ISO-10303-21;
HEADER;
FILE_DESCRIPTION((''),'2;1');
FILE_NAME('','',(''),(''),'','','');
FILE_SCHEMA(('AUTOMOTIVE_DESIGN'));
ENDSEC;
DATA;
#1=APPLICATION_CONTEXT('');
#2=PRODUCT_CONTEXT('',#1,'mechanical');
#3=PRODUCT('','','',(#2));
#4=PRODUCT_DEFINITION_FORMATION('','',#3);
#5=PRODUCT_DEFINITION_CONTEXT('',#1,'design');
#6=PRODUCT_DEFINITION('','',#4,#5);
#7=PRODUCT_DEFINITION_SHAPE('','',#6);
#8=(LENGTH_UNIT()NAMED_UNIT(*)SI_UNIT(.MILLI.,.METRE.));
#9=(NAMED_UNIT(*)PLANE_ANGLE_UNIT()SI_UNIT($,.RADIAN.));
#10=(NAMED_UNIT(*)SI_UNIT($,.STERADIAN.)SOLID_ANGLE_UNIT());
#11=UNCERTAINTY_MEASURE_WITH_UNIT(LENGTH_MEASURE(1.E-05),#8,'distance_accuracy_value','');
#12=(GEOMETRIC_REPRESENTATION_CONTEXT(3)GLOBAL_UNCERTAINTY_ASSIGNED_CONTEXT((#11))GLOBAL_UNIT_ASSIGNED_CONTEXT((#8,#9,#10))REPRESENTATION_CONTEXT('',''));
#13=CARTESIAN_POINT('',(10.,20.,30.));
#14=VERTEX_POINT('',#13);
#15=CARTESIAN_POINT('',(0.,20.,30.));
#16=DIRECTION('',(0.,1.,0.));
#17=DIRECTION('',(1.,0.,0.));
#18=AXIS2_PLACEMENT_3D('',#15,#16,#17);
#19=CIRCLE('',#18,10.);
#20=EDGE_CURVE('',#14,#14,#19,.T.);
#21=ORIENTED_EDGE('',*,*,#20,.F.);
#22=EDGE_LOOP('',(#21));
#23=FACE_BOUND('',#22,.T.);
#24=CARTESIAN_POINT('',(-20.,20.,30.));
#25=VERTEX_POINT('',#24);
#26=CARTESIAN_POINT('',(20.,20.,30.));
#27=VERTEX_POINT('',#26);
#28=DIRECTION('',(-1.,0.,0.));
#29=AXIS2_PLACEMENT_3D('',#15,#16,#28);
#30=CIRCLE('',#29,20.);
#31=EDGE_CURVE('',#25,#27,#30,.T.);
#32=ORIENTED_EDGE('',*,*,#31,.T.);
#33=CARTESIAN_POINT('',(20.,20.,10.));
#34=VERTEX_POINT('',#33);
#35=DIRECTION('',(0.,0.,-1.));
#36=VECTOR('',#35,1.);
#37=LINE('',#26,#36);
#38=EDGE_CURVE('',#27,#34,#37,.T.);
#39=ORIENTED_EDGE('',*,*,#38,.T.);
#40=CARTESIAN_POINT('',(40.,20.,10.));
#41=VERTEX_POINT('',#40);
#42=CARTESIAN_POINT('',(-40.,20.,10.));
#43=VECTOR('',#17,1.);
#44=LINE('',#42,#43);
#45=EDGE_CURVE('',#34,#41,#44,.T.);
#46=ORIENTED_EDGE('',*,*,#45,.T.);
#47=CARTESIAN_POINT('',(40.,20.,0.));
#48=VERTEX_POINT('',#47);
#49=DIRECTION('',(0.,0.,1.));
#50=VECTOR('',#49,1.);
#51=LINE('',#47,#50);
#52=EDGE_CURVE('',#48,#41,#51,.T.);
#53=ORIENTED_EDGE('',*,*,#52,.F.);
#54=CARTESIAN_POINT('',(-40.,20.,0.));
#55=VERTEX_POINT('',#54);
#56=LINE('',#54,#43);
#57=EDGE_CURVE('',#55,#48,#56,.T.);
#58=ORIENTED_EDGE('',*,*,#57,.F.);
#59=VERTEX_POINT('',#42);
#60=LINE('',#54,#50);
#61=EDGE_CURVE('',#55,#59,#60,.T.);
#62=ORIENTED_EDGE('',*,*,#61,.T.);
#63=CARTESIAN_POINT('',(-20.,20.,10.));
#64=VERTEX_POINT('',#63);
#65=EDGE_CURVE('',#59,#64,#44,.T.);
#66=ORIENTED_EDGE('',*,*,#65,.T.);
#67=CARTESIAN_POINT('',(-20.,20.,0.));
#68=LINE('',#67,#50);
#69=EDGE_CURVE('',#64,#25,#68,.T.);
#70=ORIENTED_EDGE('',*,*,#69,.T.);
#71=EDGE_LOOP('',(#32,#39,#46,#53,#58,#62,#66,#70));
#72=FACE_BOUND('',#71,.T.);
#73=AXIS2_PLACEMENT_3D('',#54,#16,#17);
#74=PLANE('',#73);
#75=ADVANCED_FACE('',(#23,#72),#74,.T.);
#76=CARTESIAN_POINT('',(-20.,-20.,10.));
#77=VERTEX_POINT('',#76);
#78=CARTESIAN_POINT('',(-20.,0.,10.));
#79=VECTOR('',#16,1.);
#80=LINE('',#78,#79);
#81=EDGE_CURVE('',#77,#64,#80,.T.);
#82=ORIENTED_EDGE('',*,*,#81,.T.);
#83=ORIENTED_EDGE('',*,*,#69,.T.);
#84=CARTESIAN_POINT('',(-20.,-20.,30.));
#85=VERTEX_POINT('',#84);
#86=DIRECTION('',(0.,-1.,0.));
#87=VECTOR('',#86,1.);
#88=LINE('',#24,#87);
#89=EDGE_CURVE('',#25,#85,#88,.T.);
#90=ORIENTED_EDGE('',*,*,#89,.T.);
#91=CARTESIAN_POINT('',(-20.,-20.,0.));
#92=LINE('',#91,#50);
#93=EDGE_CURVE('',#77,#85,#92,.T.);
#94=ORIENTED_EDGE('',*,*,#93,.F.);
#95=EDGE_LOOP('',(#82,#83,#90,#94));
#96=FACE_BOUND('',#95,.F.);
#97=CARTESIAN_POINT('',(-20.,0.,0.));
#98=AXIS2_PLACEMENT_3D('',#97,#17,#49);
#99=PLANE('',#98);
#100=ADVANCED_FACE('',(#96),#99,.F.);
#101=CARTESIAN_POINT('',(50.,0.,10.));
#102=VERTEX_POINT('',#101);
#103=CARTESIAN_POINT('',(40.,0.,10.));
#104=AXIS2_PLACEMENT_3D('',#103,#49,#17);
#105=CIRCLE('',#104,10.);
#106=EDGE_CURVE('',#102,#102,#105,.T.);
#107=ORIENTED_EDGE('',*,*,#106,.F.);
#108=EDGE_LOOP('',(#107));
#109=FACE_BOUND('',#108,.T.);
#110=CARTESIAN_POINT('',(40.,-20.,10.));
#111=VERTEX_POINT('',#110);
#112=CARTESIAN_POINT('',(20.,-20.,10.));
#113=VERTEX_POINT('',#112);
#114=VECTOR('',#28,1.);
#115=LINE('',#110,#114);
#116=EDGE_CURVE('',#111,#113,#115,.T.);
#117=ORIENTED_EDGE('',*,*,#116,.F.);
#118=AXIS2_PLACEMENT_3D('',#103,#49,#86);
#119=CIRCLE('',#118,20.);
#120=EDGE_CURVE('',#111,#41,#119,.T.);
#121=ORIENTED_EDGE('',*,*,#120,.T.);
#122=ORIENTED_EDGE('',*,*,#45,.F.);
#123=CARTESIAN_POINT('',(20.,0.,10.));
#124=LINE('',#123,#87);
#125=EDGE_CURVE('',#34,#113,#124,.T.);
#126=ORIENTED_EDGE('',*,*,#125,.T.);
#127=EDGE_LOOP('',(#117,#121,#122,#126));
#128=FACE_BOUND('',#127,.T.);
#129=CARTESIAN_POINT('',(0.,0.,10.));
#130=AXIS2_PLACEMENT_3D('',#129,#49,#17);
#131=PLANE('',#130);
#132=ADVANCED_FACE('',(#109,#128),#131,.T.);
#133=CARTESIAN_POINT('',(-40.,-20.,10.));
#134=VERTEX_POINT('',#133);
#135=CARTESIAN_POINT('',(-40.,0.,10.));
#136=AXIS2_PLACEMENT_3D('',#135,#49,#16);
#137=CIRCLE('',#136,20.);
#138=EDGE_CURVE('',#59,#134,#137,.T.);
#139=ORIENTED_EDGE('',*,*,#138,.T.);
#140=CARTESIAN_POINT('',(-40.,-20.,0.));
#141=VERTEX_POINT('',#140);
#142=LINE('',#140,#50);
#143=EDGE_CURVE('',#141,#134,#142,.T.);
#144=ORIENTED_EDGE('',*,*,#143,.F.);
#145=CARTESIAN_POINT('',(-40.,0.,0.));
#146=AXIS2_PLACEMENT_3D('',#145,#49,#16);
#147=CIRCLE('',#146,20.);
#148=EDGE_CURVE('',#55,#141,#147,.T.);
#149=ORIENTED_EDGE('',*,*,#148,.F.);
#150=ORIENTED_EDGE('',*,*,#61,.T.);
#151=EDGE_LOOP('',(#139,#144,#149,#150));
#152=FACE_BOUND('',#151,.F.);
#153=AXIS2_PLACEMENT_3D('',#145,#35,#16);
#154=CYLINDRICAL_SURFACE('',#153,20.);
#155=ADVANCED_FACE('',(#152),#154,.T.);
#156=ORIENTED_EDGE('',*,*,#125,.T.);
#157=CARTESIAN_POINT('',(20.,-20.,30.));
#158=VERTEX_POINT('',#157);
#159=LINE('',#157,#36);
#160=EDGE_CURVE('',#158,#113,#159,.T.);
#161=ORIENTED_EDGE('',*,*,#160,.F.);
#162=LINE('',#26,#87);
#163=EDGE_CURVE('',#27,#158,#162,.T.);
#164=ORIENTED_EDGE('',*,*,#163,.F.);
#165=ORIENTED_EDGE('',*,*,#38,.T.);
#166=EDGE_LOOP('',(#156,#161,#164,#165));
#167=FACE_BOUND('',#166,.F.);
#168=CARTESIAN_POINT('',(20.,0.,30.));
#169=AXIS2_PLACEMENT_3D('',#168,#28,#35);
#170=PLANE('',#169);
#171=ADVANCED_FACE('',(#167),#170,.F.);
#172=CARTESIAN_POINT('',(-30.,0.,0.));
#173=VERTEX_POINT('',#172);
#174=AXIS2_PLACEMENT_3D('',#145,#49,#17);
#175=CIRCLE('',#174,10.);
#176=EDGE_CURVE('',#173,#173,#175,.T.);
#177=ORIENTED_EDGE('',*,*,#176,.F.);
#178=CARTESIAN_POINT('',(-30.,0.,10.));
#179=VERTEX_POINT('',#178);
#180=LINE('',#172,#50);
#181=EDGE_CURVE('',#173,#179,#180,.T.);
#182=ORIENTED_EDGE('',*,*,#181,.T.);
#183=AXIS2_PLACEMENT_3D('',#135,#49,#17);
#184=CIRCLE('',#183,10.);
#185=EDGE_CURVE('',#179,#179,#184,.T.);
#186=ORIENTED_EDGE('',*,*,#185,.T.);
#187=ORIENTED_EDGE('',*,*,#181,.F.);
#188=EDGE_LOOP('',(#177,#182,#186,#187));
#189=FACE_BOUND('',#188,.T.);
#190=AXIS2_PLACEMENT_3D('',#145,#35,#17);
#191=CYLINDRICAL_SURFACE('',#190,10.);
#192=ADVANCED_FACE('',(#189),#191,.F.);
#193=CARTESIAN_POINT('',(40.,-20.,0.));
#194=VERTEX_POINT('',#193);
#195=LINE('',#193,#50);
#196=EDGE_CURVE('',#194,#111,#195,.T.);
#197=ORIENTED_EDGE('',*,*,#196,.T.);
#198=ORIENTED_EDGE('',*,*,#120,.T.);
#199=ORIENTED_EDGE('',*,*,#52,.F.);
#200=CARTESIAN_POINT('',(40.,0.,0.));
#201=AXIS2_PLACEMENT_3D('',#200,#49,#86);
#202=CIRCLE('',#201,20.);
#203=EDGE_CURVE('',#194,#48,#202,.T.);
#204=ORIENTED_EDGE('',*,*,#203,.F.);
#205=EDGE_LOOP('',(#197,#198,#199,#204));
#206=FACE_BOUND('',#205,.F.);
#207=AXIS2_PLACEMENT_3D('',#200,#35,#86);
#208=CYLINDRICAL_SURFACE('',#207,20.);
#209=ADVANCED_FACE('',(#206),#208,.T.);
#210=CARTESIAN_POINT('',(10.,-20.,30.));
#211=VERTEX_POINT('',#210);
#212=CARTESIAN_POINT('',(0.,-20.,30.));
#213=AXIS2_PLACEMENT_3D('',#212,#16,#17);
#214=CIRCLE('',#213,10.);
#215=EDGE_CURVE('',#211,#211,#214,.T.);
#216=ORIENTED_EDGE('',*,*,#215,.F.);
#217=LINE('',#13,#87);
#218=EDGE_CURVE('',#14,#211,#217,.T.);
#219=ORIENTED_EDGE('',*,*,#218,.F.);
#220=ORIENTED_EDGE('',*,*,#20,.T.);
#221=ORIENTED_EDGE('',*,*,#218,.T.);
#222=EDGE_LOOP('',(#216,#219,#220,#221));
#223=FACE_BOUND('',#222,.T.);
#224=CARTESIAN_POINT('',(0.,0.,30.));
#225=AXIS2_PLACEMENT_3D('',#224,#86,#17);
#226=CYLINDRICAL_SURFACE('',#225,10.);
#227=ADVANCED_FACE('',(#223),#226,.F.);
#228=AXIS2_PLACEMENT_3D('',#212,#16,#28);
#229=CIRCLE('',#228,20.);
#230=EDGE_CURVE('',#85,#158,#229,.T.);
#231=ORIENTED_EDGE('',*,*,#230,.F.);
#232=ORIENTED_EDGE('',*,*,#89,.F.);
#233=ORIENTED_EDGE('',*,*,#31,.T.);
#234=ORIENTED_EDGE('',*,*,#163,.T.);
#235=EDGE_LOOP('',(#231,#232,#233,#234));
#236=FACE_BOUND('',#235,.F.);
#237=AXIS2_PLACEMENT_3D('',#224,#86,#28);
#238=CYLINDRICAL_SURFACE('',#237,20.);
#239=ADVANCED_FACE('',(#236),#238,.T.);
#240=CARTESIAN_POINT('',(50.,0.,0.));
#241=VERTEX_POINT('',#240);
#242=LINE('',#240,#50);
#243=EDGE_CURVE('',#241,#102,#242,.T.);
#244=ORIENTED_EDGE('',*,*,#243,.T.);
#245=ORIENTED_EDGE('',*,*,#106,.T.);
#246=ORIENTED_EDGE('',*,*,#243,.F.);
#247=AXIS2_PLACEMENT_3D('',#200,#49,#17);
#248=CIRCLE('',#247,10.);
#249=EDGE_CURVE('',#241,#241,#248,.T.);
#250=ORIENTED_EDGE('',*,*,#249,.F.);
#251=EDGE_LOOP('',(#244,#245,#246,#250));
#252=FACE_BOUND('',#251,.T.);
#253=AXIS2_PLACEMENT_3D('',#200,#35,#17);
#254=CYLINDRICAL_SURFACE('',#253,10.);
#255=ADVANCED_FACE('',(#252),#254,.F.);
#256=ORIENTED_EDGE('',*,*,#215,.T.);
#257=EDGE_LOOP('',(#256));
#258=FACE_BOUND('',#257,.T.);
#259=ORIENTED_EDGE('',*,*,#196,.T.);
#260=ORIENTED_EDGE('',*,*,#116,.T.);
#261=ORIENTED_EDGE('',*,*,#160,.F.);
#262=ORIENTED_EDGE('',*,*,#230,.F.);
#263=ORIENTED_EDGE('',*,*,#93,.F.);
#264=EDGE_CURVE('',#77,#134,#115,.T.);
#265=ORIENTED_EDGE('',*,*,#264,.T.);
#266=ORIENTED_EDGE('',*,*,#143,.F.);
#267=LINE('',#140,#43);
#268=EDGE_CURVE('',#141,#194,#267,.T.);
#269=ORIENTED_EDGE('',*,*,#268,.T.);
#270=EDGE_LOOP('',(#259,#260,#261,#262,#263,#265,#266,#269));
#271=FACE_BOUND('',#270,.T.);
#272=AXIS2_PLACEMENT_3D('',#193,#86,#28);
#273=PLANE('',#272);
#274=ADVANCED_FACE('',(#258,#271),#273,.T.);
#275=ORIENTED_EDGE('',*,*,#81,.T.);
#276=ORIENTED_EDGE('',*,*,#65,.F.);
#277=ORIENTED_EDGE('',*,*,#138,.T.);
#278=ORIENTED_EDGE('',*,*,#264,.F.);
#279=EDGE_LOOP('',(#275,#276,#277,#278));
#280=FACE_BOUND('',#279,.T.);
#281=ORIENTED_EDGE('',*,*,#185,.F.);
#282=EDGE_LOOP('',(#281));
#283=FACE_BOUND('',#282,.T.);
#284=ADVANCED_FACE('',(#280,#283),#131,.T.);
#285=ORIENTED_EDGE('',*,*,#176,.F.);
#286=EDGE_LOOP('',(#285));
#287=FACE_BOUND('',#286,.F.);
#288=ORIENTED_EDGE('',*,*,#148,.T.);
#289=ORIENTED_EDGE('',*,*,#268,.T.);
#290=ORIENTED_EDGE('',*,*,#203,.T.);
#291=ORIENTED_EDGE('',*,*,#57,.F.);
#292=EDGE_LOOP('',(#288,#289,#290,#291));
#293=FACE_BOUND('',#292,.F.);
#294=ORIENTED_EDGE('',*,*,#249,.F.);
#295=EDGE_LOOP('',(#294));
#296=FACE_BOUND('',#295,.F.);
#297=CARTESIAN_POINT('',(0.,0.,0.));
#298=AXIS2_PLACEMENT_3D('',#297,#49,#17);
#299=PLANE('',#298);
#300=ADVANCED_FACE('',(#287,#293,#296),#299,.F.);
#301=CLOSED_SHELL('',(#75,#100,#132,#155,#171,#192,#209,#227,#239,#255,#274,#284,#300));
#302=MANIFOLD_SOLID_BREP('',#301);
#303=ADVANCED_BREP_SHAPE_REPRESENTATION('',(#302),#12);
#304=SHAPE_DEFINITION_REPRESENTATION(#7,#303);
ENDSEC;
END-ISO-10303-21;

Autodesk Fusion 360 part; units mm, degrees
sketch "Sketch1" plane through (0, 0, 0) normal (0, 0, 1) x (1, 0, 0)
  line L0 (40, -20) -> (-40, -20)
  line L1 (-40, 20) -> (40, 20)
  circle A0 centre (40, 0) radius 10
  circle A1 centre (-40, 0) radius 10
  arc A2 (-40, 20) -> (-40, -20) centre (-40, 0) ccw
  arc A3 (40, -20) -> (40, 20) centre (40, 0) ccw
  dimension "d1" = 80
  dimension "d2" = 40
extrude "Extrude1" add sketch "Sketch1" along normal blind 10
sketch "Sketch2" plane through (0, 0, 0) normal (0, 1, 0) x (1, 0, 0)
  line L0 (20, 0) -> (-20, 0)
  line L1 (-20, 0) -> (-20, -30)
  line L2 (20, -30) -> (20, 0)
  line L3 (40, 0) -> (40, -10)
  circle A0 centre (0, -30) radius 10
  arc A1 (-20, -30) -> (20, -30) centre (0, -30) ccw
  dimension "d11" = 40
  dimension "d12" = 30
  dimension "d13" = 20
  dimension "d14" = 40
  dimension "d15" = 20
extrude "Extrude2" add sketch "Sketch2" along normal mid plane 40
